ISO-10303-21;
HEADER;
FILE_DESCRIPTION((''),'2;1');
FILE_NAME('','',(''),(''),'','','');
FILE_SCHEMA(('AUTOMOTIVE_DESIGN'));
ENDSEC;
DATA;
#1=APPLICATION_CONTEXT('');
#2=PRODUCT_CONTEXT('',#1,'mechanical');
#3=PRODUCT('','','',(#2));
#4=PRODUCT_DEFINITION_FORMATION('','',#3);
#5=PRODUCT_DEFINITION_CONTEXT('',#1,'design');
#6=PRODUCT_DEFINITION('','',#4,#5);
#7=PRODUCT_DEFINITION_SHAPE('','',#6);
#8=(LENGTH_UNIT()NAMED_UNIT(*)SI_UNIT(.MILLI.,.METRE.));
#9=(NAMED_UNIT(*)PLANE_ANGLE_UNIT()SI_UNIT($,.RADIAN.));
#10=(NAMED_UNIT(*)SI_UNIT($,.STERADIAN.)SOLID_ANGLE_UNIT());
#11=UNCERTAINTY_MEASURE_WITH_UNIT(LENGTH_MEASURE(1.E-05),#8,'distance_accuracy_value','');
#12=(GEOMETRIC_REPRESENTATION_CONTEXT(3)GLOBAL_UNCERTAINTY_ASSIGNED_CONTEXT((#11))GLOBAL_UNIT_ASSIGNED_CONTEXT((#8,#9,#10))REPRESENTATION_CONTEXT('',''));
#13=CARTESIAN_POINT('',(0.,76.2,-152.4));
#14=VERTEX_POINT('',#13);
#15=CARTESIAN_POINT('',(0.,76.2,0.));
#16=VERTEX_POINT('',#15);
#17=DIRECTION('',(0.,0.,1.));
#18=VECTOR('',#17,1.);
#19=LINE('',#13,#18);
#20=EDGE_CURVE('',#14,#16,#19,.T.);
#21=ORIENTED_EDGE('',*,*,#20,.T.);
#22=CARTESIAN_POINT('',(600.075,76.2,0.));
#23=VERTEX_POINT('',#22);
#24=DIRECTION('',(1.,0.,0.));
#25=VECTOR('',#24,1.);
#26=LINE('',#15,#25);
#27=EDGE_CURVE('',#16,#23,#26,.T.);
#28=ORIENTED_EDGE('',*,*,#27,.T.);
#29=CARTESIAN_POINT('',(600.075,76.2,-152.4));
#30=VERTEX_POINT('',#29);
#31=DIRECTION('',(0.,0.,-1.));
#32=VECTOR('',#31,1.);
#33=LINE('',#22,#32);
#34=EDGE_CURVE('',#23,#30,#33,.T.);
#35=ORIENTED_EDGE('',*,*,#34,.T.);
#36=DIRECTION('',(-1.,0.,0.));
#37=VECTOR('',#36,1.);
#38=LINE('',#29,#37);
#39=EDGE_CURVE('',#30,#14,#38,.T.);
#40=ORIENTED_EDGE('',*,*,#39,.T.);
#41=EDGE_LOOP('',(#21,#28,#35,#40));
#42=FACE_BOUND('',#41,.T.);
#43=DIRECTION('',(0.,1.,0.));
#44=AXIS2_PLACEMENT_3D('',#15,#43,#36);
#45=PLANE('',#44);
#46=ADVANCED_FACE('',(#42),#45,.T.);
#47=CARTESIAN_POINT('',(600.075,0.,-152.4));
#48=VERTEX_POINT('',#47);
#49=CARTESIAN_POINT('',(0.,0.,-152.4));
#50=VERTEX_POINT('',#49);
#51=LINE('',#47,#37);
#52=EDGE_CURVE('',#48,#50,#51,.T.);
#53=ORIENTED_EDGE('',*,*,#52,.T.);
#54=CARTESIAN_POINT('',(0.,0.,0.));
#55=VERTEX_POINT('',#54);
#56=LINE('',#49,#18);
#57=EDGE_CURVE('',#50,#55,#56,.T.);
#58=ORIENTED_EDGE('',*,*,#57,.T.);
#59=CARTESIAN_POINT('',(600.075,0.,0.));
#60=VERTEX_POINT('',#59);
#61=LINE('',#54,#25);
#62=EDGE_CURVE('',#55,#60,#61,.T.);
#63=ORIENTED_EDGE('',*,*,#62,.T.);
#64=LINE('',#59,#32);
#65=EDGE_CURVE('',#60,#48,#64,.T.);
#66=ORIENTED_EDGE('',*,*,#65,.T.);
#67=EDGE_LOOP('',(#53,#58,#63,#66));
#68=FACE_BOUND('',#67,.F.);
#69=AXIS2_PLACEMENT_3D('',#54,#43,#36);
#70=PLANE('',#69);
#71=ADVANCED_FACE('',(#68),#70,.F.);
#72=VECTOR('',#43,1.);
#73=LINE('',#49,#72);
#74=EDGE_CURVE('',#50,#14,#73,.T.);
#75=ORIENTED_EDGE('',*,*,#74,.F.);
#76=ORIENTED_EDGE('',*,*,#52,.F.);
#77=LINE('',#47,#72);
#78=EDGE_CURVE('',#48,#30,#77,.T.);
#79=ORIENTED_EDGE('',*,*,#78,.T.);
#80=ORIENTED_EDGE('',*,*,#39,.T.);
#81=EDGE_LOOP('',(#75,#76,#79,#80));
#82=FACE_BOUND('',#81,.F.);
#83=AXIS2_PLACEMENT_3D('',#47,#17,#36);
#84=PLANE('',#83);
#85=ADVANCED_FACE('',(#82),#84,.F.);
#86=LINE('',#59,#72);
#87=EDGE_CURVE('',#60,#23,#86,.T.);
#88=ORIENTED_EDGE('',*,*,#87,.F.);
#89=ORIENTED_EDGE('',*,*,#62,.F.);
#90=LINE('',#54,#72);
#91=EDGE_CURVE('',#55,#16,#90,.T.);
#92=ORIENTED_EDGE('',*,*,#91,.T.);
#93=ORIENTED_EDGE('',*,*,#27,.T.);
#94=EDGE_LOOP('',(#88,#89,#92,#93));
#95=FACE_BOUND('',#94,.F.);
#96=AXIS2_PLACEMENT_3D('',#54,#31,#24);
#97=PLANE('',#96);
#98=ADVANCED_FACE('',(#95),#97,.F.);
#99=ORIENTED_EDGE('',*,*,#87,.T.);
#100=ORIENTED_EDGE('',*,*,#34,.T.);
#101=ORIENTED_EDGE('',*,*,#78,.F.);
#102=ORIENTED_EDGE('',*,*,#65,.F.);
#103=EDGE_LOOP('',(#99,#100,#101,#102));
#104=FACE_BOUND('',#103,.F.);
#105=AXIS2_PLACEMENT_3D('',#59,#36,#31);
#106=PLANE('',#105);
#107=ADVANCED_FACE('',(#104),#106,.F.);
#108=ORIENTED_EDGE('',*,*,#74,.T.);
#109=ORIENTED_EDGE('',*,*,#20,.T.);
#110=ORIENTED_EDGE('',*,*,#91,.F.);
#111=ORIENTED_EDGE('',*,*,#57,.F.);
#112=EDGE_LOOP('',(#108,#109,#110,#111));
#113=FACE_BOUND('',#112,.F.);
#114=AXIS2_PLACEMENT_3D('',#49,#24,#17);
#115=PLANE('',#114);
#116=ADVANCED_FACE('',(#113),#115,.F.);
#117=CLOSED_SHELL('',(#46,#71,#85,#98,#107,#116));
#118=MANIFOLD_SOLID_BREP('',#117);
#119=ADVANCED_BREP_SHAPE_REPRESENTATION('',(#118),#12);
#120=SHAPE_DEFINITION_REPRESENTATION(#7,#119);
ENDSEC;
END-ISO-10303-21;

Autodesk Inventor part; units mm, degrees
ref_plane "YZ Plane" through (0, 0, 0) normal (1, 0, 0) x (0, 1, 0)
ref_plane "XZ Plane" through (0, 0, 0) normal (0, 1, 0) x (-1, 0, 0)
ref_plane "XY Plane" through (0, 0, 0) normal (0, 0, 1) x (1, 0, 0)
sketch "Sketch1" plane through (0, 0, 0) normal (0, 1, 0) x (-1, 0, 0)
  line L0 (0, 0) -> (-600.075, 0)
  line L1 (-600.075, 0) -> (-600.075, -152.4)
  line L2 (-600.075, -152.4) -> (0, -152.4)
  line L3 (0, -152.4) -> (0, 0)
  dimension "d0" = 600.075
  dimension "d1" = 152.4
extrude "Extrusion1" add sketch "Sketch1" along normal blind 76.2
properties part number "water table - 30t" material "Granite, Cut, Polished"
